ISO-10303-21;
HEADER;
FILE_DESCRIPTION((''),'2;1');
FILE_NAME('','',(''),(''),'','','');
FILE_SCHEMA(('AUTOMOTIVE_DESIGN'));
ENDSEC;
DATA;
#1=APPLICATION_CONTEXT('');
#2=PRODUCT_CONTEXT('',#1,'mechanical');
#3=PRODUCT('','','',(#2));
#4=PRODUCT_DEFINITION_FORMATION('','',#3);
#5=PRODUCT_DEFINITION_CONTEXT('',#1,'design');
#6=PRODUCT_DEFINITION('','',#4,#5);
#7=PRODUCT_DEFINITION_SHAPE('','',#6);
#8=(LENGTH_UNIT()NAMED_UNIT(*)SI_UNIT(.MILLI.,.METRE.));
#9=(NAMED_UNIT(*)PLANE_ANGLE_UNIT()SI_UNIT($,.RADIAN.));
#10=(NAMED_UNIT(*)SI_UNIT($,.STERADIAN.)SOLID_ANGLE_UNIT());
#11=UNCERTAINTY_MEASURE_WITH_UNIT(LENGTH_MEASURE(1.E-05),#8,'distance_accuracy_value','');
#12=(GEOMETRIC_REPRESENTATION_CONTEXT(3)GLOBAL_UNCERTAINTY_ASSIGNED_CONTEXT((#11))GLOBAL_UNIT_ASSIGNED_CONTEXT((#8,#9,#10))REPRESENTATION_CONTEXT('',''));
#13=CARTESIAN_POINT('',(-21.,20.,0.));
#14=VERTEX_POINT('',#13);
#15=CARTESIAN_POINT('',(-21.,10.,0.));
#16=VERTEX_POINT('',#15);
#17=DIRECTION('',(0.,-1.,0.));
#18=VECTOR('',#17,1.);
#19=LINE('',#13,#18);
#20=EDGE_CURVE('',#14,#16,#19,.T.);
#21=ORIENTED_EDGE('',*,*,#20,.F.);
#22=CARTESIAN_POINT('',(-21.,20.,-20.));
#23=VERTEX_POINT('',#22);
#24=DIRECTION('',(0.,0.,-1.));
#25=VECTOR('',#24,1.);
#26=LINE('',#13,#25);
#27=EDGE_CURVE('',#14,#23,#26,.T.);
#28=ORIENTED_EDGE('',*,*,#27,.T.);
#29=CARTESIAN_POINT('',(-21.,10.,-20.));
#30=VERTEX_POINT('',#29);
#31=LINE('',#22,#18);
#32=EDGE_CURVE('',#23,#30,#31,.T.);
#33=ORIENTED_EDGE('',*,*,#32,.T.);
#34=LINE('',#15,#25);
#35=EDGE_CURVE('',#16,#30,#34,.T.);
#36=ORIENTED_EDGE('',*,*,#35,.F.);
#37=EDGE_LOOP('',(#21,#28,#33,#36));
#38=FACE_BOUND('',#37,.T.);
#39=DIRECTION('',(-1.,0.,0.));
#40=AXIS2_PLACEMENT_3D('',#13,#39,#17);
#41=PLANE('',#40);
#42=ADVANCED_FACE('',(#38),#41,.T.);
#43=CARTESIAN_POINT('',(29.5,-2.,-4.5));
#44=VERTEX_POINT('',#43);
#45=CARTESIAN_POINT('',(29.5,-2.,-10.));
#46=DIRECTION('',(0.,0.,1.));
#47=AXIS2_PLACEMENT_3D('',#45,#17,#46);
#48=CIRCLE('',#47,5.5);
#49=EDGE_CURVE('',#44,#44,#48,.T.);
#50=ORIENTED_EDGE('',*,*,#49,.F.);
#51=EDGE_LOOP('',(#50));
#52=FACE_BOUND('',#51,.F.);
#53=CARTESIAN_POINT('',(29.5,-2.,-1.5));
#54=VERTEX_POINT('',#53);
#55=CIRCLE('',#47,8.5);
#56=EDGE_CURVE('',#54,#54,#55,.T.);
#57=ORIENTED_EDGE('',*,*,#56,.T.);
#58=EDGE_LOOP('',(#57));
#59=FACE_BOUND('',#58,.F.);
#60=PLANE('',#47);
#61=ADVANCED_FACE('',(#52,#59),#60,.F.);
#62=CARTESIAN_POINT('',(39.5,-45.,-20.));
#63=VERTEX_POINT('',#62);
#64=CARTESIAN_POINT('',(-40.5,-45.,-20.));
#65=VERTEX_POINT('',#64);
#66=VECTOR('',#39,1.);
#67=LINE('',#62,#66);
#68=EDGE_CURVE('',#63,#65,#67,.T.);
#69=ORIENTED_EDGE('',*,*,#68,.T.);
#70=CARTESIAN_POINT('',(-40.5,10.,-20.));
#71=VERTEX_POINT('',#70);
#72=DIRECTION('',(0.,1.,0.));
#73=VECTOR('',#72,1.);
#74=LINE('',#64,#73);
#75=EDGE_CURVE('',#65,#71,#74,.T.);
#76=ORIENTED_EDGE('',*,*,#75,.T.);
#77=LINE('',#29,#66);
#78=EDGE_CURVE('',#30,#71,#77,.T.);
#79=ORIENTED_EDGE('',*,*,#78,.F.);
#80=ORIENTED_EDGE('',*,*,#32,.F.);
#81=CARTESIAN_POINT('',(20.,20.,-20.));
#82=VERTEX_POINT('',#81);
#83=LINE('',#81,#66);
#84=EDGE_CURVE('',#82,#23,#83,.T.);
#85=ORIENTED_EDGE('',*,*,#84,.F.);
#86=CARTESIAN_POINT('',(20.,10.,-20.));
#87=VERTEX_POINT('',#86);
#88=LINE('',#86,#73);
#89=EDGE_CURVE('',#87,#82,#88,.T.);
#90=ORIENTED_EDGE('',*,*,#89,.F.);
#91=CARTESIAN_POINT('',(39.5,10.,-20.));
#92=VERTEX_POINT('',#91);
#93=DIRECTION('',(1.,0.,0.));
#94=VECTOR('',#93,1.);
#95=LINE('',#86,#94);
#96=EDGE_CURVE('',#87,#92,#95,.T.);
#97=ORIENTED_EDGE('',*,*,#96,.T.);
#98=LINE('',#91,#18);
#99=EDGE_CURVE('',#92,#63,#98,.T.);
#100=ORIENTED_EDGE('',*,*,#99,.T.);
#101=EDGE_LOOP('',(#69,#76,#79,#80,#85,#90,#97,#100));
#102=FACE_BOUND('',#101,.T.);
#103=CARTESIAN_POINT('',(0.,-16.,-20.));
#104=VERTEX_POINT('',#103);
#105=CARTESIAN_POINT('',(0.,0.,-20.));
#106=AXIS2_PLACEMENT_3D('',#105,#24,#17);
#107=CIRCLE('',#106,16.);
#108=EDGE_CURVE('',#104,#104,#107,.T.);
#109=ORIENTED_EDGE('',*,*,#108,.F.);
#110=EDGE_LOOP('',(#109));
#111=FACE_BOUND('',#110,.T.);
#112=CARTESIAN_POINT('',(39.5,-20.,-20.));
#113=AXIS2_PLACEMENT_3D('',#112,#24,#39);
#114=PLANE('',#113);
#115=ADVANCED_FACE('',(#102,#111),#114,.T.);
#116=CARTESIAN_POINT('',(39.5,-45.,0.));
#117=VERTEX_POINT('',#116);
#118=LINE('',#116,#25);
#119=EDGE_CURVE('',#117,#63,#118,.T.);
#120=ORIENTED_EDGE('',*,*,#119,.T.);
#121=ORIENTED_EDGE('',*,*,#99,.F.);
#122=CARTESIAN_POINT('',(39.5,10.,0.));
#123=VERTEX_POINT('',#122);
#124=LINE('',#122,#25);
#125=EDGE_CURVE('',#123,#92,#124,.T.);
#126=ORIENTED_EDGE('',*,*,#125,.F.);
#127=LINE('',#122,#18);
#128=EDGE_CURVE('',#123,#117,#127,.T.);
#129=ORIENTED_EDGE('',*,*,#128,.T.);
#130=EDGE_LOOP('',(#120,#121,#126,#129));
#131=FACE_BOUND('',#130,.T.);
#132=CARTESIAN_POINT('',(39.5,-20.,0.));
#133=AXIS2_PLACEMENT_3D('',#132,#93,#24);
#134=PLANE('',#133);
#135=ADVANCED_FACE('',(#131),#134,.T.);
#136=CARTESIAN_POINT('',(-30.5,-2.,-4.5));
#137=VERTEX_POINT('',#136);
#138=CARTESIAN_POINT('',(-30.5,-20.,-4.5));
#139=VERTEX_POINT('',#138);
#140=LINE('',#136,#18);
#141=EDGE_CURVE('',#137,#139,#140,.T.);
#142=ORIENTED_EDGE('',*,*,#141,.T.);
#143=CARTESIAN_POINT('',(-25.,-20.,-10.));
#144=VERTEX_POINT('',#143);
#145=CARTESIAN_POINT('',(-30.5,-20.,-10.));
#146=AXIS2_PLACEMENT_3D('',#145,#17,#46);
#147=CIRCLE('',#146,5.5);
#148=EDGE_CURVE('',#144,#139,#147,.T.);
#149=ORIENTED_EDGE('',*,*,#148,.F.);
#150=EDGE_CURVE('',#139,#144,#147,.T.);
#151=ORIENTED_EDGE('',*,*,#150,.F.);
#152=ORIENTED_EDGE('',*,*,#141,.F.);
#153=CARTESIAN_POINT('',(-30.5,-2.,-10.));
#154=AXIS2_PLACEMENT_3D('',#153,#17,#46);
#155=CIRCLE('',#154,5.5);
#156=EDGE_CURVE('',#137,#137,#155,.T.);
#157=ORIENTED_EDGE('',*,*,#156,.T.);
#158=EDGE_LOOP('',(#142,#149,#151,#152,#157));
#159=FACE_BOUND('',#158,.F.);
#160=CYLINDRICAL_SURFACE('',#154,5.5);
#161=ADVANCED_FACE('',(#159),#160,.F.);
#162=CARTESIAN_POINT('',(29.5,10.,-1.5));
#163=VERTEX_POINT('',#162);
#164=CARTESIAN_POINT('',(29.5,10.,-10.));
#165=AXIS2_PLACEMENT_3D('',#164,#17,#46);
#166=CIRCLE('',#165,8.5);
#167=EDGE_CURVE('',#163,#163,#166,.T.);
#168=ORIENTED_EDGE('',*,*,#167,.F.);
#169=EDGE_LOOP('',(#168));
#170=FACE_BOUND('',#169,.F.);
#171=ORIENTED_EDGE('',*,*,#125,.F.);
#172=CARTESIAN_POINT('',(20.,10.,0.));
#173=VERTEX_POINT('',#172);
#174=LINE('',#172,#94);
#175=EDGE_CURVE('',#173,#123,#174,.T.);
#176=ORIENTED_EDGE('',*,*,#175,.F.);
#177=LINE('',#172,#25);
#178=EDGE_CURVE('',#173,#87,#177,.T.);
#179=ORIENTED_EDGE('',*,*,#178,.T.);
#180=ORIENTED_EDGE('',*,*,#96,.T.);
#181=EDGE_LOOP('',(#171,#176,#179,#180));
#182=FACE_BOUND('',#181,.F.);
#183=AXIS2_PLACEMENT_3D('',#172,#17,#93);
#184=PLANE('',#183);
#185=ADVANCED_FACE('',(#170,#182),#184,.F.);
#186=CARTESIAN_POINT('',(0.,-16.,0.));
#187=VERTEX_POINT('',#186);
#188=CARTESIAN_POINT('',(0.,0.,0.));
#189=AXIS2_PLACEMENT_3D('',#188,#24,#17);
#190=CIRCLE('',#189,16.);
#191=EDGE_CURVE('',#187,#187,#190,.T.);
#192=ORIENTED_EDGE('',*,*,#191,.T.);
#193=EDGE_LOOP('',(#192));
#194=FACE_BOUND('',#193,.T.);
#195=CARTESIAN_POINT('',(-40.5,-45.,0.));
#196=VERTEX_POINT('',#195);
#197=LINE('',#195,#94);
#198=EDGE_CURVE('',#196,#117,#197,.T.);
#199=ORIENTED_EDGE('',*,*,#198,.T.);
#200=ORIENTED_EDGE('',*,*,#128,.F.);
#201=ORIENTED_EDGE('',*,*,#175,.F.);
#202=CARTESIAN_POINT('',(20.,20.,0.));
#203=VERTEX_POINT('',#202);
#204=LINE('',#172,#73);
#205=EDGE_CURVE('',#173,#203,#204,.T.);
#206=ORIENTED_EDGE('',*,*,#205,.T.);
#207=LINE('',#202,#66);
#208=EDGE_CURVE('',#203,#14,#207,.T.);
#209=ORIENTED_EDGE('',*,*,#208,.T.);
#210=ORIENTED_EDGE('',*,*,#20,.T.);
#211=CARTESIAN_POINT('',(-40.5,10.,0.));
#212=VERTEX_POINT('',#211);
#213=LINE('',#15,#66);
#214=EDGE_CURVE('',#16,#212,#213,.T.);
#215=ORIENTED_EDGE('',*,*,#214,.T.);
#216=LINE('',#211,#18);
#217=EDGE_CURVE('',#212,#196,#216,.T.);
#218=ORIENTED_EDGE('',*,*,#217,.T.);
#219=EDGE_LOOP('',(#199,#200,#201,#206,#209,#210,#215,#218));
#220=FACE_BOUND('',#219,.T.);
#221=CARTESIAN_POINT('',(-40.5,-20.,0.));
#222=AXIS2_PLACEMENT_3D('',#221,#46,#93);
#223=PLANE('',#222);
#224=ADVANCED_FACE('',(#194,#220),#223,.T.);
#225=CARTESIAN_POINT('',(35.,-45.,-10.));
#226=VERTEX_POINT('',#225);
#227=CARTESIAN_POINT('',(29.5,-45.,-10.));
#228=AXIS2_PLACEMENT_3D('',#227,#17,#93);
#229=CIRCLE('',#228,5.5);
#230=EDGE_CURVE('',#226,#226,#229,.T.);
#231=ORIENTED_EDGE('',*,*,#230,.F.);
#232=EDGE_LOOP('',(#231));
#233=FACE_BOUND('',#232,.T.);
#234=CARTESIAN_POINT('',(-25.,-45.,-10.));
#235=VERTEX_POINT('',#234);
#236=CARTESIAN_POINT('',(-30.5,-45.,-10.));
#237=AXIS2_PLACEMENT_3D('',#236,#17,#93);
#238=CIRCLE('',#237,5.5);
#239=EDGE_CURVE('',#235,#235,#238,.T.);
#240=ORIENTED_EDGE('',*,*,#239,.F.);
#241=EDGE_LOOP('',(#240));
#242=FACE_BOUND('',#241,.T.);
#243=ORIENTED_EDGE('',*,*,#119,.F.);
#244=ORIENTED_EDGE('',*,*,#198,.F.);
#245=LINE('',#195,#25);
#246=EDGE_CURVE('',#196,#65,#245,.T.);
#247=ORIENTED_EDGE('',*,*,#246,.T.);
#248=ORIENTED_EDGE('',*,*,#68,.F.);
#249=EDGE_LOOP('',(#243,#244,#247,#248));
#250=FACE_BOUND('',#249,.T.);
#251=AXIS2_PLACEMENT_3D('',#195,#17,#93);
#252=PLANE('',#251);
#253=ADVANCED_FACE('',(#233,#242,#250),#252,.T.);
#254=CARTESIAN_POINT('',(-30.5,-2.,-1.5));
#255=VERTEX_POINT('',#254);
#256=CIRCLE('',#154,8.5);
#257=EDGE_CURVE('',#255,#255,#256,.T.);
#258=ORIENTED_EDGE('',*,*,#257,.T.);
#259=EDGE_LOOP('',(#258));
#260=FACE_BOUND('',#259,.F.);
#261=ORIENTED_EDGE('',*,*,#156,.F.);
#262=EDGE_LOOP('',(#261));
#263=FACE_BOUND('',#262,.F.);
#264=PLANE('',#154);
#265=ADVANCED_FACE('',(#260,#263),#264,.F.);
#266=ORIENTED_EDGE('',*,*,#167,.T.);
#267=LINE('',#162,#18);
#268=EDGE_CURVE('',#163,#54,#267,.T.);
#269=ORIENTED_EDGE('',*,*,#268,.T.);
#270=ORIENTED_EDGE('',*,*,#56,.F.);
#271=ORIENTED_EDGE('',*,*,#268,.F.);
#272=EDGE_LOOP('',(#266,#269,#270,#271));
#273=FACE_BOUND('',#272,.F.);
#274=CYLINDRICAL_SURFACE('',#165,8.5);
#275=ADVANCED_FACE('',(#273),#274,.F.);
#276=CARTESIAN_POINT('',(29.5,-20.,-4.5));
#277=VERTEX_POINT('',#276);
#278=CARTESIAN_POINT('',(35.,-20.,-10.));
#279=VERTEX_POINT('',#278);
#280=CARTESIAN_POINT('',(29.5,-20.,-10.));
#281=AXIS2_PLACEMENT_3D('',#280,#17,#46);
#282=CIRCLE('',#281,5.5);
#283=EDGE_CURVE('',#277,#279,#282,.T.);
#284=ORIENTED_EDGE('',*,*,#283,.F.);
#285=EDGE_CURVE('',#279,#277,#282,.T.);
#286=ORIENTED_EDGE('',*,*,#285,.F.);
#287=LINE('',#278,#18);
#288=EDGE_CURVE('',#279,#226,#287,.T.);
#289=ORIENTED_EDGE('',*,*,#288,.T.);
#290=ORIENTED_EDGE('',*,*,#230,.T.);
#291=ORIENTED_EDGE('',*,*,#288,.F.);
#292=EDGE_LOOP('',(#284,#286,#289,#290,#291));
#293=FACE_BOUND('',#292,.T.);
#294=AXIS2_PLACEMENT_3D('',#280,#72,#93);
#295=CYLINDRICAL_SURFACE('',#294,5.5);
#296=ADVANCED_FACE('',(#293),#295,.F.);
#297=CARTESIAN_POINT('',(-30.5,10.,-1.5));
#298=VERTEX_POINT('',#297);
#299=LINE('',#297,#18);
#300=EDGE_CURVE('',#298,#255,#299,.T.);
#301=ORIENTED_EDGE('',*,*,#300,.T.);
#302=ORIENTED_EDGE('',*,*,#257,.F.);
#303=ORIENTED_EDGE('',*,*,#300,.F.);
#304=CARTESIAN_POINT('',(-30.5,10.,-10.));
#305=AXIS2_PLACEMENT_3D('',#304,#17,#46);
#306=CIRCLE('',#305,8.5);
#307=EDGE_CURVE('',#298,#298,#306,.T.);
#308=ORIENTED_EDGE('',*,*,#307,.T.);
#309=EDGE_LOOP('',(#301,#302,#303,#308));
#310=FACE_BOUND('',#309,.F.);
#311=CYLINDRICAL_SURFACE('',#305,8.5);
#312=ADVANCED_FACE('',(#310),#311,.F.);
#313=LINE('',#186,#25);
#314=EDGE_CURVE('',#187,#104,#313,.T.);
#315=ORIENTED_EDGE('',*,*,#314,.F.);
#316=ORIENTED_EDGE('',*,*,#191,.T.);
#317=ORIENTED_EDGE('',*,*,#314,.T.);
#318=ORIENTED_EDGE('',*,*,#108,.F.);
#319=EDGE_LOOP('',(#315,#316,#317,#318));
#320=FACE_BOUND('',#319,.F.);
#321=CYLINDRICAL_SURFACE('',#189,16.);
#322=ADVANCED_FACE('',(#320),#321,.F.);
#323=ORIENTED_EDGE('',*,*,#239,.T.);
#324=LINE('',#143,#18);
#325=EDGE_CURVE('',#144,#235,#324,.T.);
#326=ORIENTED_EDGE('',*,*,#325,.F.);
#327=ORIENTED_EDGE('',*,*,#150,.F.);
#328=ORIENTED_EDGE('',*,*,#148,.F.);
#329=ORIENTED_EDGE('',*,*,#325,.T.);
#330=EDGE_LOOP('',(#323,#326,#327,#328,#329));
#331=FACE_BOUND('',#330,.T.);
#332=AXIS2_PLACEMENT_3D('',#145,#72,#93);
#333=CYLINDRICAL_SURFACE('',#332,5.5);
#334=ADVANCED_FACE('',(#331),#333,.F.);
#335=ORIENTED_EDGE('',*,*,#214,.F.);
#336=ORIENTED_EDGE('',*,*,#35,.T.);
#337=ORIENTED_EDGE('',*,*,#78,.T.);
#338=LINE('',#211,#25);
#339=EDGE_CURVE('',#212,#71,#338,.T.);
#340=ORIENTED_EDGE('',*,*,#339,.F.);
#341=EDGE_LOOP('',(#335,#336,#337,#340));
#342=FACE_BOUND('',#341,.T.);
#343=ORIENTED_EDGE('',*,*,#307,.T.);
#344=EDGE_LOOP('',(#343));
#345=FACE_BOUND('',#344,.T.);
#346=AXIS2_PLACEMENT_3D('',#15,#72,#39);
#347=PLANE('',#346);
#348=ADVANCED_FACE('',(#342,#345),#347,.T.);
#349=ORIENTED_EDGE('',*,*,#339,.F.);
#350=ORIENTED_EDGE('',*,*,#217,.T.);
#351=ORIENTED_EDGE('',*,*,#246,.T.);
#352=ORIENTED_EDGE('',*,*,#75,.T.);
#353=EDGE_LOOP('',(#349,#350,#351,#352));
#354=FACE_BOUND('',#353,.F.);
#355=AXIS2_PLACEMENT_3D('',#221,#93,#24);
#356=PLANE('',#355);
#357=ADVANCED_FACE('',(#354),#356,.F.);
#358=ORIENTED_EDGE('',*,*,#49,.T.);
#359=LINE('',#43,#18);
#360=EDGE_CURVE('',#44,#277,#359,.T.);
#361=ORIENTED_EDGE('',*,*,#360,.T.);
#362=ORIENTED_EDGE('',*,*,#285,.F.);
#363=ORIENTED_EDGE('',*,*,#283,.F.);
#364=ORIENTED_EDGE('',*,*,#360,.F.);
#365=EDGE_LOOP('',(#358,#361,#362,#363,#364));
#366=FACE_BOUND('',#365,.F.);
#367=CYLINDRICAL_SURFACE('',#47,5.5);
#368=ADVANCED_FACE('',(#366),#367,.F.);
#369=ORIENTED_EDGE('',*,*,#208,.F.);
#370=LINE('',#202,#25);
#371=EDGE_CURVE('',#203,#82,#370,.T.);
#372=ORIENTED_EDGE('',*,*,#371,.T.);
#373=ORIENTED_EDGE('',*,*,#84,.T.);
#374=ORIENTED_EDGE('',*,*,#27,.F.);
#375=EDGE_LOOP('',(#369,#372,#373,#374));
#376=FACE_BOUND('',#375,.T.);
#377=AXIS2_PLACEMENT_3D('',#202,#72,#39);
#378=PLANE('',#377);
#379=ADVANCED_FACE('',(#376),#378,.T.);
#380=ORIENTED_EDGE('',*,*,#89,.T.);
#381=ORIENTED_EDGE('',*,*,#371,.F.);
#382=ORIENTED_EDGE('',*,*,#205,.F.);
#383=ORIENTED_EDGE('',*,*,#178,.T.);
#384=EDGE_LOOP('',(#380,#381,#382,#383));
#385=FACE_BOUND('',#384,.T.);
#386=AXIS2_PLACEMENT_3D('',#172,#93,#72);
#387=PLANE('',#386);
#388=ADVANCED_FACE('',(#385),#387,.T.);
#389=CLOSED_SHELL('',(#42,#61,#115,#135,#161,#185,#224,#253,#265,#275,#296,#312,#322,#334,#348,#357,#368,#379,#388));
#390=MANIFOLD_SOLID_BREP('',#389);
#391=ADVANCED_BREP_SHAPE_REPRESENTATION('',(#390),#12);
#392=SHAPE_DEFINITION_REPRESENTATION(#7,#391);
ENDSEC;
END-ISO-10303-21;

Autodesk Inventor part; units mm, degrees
sketch "Sketch_1" plane through (0, 0, 0) normal (0, 0, 1) x (1, 0, 0)
  line L0 (20, 10) -> (39.5, 10)
  line L1 (39.5, 10) -> (39.5, -20)
  line L2 (20, 10) -> (20, 20)
  line L3 (20, 20) -> (-21, 20)
  line L4 (-21, 20) -> (-21, 10)
  line L5 (-21, 10) -> (-40.5, 10)
  line L6 (-40.5, 10) -> (-40.5, -20)
  line L7 (-40.5, -20) -> (39.5, -20)
  dimension "d29" = 19.5
  dimension "d42" = 10
  dimension "d43" = 41
  dimension "d44" = 19.5
  dimension "d54" = 30
  dimension "d55" = 0
extrude "Extrusion1" add sketch "Sketch_1" against normal blind 20
sketch "Sketch4" plane through (0, 0, 0) normal (0, 0, 1) x (1, 0, 0)
  point P0 (0, 0)
hole "Hole3" at (0, 0, 0) direction (0, 0, -1) diameter 32 depth 20
ref_plane "bf_1_XY" through (0, 0, 0) normal (0, 0, 1) x (1, 0, 0)
ref_plane "bf_1_YZ" through (0, 0, 0) normal (1, 0, 0) x (0, 1, 0)
ref_plane "bf_1_ZX" through (0, 0, 0) normal (0, 1, 0) x (0, 0, 1)
ref_plane "bf_2x_XY" through (0, 0, -10) normal (0, 0, 1) x (1, 0, 0)
ref_plane "bf_2x_YZ" through (0, 0, -10) normal (1, 0, 0) x (0, 1, 0)
ref_plane "bf_2x_ZX" through (0, 0, -10) normal (0, 1, 0) x (0, 0, 1)
sketch "Sketch6" plane through (20, 10, 0) normal (0, 1, 0) x (1, 0, 0)
  line L0 (0, 0) -> (19.5, 0) projected
  line L1 (19.5, 0) -> (9.5, 0)
  line L2 (9.5, 0) -> (9.5, 10)
  line L3 (-60.5, 0) -> (-41, 0) projected
  line L4 (-60.5, 0) -> (-50.5, 0)
  line L5 (-50.5, 0) -> (-50.5, 10)
  dimension "d45" = 10
  dimension "d46" = 10
  dimension "d47" = 10
hole "Hole4" at (29.5, 10, -10) at (-30.5, 10, -10) direction (0, -1, 0) diameter 11 end through all counterbore diameter 17 counterbore depth 12
sketch "Sketch9" plane through (-40.5, -20, 0) normal (0, -1, 0) x (1, 0, 0)
  line L0 (80, -20) -> (60.5, -20) projected
  line L1 (0, 0) -> (0, -20) projected
  line L2 (80, -20) -> (0, -20)
  line L3 (0, -20) -> (0, 0)
  line L4 (0, 0) -> (80, 0)
  line L5 (80, 0) -> (80, -20)
  circle A0 centre (70, -10) radius 5.5 projected
  circle A1 centre (70, -10) radius 5.5
  circle A2 centre (10, -10) radius 5.5 projected
  circle A3 centre (10, -10) radius 5.5
  point P0 (40.5, 0)
  dimension "d48" = 11
  dimension "d49" = 11
extrude "Extrusion2" add sketch "Sketch9" along normal blind 25
properties part number "BF 15 Part1"
